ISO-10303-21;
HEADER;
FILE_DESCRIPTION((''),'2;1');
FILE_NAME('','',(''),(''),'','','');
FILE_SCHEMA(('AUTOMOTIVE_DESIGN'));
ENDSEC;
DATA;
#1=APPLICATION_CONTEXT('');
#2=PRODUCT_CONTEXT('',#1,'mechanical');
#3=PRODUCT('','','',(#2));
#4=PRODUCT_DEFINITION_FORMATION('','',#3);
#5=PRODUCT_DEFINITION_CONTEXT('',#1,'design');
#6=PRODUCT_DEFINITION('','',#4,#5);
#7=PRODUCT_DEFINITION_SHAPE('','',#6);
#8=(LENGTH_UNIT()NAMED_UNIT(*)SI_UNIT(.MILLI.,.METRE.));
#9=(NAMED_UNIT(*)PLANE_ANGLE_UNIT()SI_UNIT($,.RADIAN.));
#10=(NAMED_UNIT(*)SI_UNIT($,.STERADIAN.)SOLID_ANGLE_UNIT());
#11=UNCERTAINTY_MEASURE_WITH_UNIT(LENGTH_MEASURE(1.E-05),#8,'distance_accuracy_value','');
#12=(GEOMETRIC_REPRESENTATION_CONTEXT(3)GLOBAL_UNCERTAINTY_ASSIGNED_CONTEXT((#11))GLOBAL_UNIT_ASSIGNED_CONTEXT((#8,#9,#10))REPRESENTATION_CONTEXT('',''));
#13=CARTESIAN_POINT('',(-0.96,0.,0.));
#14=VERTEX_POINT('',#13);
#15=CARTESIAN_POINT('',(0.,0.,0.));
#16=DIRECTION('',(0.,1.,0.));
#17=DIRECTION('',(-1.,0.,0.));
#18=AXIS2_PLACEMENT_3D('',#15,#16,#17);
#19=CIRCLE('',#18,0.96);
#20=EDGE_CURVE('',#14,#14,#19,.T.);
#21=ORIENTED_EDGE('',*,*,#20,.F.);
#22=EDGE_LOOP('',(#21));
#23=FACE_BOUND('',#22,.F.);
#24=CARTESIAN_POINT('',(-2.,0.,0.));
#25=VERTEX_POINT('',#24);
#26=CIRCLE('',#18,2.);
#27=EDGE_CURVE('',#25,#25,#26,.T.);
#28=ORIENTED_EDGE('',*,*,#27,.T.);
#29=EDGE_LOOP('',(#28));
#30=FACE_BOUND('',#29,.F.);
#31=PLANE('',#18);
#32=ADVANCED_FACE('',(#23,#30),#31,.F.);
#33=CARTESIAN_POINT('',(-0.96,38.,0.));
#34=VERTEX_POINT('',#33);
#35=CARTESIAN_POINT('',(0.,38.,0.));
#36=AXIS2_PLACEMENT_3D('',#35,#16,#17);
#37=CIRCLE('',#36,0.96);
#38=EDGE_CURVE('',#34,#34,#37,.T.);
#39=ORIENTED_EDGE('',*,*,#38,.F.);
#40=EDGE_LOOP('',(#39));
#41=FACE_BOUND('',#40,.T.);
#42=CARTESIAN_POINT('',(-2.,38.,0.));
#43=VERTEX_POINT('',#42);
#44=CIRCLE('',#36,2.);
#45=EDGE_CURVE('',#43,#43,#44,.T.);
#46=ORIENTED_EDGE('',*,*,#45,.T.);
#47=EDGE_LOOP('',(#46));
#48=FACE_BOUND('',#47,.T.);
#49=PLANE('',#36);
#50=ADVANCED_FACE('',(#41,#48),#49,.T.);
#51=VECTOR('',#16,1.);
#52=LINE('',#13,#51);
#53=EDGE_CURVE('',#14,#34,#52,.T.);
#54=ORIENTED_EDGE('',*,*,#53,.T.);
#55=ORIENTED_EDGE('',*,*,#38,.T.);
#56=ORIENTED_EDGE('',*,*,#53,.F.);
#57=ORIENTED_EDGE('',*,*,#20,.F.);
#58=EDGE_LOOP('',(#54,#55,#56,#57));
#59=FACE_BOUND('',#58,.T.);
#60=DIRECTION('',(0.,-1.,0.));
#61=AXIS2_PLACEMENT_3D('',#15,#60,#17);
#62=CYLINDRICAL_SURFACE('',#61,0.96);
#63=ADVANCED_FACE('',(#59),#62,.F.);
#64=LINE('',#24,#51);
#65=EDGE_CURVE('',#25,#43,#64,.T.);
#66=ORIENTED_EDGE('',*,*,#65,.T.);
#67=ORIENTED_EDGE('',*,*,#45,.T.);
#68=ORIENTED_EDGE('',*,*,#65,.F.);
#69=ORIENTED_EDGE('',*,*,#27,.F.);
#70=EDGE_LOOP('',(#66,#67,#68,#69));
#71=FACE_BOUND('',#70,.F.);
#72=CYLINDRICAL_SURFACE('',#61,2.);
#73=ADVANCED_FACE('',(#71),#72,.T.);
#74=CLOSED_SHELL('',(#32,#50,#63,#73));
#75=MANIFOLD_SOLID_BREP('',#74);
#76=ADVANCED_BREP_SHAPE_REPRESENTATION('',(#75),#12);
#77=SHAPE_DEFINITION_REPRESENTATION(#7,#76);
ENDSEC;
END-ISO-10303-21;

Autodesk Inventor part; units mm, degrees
ref_plane "YZ Plane" through (0, 0, 0) normal (1, 0, 0) x (0, 1, 0)
ref_plane "XZ Plane" through (0, 0, 0) normal (0, 1, 0) x (-1, 0, 0)
ref_plane "XY Plane" through (0, 0, 0) normal (0, 0, 1) x (1, 0, 0)
sketch "Sketch1" plane through (0, 0, 0) normal (0, 1, 0) x (-1, 0, 0)
  circle A0 centre (0, 0) radius 2
  circle A1 centre (0, 0) radius 0.96
  dimension "d0" = 4
  dimension "d2" = 1.92
extrude "Extrusion1" add sketch "Sketch1" along normal blind 38
properties part number "small_motor_shaft"
